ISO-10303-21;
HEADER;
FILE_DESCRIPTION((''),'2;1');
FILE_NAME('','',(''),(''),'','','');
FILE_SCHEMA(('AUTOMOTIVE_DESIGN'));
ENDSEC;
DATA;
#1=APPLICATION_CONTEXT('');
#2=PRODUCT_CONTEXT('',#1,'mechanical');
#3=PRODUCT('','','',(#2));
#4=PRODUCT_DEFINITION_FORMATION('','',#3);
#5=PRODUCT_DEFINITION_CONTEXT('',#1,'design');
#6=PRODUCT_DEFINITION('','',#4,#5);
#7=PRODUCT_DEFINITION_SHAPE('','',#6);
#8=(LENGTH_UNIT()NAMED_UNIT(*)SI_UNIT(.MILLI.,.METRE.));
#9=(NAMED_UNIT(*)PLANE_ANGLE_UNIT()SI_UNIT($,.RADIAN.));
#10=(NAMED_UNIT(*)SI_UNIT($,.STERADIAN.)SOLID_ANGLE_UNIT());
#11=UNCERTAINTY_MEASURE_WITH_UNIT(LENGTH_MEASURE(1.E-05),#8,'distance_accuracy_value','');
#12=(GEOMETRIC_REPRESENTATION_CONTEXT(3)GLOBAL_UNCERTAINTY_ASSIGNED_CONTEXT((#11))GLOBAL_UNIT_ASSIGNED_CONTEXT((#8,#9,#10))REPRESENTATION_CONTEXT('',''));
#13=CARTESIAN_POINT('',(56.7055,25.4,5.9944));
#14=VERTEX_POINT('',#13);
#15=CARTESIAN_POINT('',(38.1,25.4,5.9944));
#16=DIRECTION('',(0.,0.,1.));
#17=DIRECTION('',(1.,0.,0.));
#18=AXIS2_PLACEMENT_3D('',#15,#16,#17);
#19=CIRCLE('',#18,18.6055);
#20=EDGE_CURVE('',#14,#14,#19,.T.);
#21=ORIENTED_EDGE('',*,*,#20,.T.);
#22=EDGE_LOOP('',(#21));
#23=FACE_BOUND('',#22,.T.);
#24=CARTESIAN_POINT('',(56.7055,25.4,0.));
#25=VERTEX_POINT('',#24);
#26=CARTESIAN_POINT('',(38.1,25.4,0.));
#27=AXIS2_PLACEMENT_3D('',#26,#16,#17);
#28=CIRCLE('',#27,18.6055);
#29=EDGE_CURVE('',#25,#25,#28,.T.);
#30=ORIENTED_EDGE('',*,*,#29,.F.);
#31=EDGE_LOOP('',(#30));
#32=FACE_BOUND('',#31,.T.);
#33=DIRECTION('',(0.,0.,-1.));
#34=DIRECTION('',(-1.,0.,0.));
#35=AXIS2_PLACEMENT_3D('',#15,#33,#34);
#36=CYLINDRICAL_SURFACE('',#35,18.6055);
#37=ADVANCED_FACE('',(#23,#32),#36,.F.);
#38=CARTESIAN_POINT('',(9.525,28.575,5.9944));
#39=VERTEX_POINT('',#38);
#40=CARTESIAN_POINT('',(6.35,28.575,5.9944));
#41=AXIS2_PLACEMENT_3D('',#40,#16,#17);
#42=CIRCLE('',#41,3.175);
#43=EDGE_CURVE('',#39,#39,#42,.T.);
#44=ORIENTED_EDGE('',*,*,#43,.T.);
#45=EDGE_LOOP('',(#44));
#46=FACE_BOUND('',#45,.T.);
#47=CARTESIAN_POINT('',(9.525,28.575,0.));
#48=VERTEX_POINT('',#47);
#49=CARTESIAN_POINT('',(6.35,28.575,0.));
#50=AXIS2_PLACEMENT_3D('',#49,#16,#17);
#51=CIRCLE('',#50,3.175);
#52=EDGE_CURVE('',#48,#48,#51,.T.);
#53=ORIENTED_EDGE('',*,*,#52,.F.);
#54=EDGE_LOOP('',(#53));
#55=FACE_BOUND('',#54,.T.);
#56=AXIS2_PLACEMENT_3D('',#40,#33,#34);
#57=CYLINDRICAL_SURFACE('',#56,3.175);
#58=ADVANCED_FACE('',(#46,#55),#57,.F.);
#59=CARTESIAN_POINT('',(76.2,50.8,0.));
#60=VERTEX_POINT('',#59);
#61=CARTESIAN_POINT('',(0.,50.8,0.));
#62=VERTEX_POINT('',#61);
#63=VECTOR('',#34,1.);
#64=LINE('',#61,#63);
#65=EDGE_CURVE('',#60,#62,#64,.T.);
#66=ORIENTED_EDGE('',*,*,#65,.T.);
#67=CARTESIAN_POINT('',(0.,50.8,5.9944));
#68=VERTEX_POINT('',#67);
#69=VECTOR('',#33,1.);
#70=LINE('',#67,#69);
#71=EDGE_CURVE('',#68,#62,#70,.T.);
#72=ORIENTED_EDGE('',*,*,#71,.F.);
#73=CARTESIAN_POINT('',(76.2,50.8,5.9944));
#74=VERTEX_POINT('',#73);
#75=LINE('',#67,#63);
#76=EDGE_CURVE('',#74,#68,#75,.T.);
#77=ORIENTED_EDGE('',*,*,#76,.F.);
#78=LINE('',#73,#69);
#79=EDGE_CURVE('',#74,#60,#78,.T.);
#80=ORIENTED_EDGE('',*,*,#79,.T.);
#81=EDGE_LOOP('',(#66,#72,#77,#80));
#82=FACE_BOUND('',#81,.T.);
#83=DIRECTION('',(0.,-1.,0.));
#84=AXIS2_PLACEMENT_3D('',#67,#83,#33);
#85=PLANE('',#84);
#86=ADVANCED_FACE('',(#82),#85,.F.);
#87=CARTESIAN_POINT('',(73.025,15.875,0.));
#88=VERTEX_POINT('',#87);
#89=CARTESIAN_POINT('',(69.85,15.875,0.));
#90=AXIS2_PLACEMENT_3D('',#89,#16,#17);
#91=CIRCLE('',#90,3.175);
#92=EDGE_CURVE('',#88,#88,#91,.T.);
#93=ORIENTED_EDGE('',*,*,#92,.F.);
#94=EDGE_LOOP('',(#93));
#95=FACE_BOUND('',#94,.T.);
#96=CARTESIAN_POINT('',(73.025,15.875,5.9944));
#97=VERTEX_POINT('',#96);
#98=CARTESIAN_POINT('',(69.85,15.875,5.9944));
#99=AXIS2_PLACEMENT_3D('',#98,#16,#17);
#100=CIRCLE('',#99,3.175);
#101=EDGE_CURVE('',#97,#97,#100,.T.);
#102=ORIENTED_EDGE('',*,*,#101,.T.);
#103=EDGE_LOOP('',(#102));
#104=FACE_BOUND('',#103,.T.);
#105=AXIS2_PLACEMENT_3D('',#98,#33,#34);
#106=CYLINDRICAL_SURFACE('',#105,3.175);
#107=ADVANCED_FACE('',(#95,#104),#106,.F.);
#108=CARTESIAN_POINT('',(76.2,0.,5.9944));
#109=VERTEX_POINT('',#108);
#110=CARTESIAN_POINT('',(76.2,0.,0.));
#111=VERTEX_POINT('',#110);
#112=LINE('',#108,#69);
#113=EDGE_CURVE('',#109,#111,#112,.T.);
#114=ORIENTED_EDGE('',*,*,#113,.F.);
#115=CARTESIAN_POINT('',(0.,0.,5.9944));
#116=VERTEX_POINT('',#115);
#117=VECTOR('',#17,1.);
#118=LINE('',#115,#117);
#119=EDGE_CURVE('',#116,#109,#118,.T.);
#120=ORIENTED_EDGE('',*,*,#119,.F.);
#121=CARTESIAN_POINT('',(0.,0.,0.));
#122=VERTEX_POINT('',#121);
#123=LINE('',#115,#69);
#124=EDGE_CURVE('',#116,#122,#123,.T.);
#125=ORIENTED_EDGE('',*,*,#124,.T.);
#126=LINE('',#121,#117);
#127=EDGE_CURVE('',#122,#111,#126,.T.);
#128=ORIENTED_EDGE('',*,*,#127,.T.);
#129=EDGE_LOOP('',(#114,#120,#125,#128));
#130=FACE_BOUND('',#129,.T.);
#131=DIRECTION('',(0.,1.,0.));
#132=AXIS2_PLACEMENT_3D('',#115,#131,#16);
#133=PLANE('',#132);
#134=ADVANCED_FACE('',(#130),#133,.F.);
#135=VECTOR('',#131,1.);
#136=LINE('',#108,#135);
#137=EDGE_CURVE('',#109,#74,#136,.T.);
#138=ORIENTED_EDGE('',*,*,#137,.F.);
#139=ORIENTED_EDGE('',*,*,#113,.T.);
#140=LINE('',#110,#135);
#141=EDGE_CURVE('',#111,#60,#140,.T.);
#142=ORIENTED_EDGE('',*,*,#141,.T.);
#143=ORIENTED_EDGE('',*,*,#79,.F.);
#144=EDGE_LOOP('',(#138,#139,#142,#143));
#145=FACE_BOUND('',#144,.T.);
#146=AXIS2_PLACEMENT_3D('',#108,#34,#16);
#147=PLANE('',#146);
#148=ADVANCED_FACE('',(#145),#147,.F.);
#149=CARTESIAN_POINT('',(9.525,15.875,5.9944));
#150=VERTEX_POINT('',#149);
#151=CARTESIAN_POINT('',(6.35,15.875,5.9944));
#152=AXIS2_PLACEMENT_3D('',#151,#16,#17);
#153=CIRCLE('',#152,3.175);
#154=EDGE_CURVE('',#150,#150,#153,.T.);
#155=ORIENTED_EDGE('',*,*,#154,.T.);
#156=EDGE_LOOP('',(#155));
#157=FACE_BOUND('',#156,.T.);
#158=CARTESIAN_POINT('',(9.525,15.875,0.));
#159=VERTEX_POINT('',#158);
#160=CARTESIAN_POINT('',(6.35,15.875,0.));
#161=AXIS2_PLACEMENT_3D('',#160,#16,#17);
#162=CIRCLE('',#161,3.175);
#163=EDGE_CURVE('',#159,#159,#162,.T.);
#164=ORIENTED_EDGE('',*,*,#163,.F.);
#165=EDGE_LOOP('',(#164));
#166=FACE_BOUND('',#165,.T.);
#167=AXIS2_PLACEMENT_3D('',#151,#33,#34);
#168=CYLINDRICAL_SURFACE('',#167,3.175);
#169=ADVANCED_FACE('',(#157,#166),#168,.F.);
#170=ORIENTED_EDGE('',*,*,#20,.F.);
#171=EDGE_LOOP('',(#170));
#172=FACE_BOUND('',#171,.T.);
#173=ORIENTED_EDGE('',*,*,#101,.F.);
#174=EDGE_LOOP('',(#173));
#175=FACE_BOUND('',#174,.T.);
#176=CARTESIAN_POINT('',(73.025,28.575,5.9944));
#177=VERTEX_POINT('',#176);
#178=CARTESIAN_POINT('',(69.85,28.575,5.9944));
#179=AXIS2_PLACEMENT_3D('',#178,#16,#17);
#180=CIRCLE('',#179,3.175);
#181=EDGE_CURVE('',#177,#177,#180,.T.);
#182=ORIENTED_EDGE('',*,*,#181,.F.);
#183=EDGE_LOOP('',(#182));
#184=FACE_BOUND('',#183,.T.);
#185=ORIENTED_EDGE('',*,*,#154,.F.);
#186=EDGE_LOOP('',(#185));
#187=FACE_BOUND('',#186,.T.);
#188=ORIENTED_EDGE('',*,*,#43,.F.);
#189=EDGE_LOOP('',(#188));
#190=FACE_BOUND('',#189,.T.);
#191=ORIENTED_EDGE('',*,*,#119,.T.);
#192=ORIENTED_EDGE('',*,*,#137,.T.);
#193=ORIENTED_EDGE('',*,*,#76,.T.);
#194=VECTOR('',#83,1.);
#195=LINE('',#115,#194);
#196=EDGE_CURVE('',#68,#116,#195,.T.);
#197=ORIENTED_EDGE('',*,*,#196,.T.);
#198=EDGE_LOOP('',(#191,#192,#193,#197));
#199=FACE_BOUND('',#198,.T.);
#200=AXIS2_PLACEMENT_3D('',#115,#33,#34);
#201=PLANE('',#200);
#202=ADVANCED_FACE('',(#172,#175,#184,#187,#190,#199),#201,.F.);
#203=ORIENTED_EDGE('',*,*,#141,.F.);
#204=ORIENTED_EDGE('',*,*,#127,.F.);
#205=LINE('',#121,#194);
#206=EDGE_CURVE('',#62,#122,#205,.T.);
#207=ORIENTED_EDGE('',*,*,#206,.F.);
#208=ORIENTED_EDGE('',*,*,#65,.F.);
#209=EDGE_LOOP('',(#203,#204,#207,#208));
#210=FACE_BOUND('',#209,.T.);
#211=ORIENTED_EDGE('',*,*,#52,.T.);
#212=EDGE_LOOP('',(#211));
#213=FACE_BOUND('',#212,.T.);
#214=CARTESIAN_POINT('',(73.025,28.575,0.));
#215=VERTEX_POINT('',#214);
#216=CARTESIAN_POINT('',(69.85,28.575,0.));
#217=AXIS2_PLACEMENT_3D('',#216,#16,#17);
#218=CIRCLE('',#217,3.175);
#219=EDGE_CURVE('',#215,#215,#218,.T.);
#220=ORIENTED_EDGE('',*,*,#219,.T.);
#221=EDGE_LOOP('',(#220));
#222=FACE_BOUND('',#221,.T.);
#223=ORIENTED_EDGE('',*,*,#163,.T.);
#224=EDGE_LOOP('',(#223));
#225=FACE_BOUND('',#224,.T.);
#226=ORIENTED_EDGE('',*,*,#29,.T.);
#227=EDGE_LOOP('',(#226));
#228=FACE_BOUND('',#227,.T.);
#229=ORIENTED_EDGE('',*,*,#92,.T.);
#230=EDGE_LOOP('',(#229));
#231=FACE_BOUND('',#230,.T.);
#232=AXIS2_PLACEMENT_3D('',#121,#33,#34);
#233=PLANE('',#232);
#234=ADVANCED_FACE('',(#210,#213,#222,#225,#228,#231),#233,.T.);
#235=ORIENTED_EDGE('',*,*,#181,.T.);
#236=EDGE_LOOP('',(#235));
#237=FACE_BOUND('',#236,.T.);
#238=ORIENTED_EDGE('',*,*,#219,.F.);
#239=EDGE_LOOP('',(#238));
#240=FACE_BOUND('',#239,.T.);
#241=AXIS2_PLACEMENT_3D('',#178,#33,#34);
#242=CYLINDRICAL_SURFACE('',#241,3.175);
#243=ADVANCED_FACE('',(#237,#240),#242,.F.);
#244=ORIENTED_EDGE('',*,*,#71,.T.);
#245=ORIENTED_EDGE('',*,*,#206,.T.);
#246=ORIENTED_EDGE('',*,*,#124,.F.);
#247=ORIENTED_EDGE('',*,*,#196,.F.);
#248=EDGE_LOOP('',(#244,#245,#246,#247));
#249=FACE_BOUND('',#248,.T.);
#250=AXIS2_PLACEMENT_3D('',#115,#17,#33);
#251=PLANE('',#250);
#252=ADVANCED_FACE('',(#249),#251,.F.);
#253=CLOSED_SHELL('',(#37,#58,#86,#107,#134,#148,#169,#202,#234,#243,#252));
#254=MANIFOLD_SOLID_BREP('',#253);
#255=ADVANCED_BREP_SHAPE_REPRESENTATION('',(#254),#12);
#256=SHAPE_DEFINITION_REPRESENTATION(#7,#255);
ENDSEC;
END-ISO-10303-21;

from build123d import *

# Parameters (mm, degrees)
SKETCH1_W           = 76.2
SKETCH1_H           = 50.8
SKETCH1_R           = 18.6055
SKETCH1_R_2         = 3.175
BOSS_EXTRUDE1_DEPTH = 5.9944


with BuildPart() as part:
    # Sketch1 → Boss-Extrude1 (new body)
    with BuildSketch(Plane.XY):
        with Locations((38.1, 25.4)):
            Rectangle(SKETCH1_W, SKETCH1_H)
        with Locations((38.1, 25.4)):
            Circle(SKETCH1_R, mode=Mode.SUBTRACT)
        with Locations((6.35, 28.575)):
            Circle(SKETCH1_R_2, mode=Mode.SUBTRACT)
        with Locations((6.35, 15.875)):
            Circle(SKETCH1_R_2, mode=Mode.SUBTRACT)
        with Locations((69.85, 28.575)):
            Circle(SKETCH1_R_2, mode=Mode.SUBTRACT)
        with Locations((69.85, 15.875)):
            Circle(SKETCH1_R_2, mode=Mode.SUBTRACT)
    extrude(amount=BOSS_EXTRUDE1_DEPTH)


solid = part.part
